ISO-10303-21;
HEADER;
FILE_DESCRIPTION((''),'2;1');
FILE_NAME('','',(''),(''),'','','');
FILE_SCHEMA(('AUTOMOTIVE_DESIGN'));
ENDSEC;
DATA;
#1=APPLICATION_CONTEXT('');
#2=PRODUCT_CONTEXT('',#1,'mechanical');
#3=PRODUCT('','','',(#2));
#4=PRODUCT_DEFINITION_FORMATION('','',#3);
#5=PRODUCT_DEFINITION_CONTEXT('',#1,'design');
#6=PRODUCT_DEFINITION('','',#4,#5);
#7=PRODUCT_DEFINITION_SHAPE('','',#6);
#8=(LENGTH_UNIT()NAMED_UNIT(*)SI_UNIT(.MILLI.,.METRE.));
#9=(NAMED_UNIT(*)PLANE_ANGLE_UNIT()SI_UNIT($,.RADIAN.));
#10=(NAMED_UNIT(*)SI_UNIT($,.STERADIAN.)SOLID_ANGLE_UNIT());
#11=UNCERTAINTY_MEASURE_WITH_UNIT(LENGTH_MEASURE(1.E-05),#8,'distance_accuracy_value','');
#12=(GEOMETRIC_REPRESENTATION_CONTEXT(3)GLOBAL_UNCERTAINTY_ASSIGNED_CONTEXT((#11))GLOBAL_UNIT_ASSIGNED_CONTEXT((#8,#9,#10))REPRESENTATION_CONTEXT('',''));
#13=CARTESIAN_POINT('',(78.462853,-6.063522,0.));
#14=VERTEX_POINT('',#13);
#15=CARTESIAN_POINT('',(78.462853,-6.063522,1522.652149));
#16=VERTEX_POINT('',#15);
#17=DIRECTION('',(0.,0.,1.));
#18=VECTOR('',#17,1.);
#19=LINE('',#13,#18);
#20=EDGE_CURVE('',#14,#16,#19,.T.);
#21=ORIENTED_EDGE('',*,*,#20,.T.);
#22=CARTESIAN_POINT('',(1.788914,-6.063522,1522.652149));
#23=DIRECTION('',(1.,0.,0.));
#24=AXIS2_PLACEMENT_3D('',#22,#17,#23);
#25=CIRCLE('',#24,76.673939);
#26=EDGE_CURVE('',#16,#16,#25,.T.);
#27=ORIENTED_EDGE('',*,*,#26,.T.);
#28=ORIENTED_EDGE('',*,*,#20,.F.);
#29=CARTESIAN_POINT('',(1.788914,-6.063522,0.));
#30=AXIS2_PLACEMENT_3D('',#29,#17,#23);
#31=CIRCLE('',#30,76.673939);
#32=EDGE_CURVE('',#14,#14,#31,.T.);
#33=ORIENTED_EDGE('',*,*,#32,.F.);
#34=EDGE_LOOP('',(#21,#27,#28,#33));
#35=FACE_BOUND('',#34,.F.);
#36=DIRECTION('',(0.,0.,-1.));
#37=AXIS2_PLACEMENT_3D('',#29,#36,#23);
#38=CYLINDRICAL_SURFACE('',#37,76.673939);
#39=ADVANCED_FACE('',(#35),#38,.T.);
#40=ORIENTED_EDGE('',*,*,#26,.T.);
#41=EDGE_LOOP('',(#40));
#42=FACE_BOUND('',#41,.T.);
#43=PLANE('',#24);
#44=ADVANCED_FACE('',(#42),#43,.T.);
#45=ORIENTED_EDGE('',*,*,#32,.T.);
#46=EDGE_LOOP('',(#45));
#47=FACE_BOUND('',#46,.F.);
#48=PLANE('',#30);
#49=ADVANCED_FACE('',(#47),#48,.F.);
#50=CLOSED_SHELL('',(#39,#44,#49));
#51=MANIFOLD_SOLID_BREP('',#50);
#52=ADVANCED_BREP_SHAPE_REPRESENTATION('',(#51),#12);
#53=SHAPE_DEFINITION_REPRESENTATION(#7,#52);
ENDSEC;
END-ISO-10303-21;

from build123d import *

# Parameters (mm, degrees)
F1_R     = 76.673939
F2_DEPTH = 1522.652149


with BuildPart() as f2:
    # F1 (on face) → F2 (new body)
    with BuildSketch(Plane.XY):
        with Locations((1.788914, -6.063522)):
            Circle(F1_R)
    extrude(amount=F2_DEPTH)


solid = f2.part
